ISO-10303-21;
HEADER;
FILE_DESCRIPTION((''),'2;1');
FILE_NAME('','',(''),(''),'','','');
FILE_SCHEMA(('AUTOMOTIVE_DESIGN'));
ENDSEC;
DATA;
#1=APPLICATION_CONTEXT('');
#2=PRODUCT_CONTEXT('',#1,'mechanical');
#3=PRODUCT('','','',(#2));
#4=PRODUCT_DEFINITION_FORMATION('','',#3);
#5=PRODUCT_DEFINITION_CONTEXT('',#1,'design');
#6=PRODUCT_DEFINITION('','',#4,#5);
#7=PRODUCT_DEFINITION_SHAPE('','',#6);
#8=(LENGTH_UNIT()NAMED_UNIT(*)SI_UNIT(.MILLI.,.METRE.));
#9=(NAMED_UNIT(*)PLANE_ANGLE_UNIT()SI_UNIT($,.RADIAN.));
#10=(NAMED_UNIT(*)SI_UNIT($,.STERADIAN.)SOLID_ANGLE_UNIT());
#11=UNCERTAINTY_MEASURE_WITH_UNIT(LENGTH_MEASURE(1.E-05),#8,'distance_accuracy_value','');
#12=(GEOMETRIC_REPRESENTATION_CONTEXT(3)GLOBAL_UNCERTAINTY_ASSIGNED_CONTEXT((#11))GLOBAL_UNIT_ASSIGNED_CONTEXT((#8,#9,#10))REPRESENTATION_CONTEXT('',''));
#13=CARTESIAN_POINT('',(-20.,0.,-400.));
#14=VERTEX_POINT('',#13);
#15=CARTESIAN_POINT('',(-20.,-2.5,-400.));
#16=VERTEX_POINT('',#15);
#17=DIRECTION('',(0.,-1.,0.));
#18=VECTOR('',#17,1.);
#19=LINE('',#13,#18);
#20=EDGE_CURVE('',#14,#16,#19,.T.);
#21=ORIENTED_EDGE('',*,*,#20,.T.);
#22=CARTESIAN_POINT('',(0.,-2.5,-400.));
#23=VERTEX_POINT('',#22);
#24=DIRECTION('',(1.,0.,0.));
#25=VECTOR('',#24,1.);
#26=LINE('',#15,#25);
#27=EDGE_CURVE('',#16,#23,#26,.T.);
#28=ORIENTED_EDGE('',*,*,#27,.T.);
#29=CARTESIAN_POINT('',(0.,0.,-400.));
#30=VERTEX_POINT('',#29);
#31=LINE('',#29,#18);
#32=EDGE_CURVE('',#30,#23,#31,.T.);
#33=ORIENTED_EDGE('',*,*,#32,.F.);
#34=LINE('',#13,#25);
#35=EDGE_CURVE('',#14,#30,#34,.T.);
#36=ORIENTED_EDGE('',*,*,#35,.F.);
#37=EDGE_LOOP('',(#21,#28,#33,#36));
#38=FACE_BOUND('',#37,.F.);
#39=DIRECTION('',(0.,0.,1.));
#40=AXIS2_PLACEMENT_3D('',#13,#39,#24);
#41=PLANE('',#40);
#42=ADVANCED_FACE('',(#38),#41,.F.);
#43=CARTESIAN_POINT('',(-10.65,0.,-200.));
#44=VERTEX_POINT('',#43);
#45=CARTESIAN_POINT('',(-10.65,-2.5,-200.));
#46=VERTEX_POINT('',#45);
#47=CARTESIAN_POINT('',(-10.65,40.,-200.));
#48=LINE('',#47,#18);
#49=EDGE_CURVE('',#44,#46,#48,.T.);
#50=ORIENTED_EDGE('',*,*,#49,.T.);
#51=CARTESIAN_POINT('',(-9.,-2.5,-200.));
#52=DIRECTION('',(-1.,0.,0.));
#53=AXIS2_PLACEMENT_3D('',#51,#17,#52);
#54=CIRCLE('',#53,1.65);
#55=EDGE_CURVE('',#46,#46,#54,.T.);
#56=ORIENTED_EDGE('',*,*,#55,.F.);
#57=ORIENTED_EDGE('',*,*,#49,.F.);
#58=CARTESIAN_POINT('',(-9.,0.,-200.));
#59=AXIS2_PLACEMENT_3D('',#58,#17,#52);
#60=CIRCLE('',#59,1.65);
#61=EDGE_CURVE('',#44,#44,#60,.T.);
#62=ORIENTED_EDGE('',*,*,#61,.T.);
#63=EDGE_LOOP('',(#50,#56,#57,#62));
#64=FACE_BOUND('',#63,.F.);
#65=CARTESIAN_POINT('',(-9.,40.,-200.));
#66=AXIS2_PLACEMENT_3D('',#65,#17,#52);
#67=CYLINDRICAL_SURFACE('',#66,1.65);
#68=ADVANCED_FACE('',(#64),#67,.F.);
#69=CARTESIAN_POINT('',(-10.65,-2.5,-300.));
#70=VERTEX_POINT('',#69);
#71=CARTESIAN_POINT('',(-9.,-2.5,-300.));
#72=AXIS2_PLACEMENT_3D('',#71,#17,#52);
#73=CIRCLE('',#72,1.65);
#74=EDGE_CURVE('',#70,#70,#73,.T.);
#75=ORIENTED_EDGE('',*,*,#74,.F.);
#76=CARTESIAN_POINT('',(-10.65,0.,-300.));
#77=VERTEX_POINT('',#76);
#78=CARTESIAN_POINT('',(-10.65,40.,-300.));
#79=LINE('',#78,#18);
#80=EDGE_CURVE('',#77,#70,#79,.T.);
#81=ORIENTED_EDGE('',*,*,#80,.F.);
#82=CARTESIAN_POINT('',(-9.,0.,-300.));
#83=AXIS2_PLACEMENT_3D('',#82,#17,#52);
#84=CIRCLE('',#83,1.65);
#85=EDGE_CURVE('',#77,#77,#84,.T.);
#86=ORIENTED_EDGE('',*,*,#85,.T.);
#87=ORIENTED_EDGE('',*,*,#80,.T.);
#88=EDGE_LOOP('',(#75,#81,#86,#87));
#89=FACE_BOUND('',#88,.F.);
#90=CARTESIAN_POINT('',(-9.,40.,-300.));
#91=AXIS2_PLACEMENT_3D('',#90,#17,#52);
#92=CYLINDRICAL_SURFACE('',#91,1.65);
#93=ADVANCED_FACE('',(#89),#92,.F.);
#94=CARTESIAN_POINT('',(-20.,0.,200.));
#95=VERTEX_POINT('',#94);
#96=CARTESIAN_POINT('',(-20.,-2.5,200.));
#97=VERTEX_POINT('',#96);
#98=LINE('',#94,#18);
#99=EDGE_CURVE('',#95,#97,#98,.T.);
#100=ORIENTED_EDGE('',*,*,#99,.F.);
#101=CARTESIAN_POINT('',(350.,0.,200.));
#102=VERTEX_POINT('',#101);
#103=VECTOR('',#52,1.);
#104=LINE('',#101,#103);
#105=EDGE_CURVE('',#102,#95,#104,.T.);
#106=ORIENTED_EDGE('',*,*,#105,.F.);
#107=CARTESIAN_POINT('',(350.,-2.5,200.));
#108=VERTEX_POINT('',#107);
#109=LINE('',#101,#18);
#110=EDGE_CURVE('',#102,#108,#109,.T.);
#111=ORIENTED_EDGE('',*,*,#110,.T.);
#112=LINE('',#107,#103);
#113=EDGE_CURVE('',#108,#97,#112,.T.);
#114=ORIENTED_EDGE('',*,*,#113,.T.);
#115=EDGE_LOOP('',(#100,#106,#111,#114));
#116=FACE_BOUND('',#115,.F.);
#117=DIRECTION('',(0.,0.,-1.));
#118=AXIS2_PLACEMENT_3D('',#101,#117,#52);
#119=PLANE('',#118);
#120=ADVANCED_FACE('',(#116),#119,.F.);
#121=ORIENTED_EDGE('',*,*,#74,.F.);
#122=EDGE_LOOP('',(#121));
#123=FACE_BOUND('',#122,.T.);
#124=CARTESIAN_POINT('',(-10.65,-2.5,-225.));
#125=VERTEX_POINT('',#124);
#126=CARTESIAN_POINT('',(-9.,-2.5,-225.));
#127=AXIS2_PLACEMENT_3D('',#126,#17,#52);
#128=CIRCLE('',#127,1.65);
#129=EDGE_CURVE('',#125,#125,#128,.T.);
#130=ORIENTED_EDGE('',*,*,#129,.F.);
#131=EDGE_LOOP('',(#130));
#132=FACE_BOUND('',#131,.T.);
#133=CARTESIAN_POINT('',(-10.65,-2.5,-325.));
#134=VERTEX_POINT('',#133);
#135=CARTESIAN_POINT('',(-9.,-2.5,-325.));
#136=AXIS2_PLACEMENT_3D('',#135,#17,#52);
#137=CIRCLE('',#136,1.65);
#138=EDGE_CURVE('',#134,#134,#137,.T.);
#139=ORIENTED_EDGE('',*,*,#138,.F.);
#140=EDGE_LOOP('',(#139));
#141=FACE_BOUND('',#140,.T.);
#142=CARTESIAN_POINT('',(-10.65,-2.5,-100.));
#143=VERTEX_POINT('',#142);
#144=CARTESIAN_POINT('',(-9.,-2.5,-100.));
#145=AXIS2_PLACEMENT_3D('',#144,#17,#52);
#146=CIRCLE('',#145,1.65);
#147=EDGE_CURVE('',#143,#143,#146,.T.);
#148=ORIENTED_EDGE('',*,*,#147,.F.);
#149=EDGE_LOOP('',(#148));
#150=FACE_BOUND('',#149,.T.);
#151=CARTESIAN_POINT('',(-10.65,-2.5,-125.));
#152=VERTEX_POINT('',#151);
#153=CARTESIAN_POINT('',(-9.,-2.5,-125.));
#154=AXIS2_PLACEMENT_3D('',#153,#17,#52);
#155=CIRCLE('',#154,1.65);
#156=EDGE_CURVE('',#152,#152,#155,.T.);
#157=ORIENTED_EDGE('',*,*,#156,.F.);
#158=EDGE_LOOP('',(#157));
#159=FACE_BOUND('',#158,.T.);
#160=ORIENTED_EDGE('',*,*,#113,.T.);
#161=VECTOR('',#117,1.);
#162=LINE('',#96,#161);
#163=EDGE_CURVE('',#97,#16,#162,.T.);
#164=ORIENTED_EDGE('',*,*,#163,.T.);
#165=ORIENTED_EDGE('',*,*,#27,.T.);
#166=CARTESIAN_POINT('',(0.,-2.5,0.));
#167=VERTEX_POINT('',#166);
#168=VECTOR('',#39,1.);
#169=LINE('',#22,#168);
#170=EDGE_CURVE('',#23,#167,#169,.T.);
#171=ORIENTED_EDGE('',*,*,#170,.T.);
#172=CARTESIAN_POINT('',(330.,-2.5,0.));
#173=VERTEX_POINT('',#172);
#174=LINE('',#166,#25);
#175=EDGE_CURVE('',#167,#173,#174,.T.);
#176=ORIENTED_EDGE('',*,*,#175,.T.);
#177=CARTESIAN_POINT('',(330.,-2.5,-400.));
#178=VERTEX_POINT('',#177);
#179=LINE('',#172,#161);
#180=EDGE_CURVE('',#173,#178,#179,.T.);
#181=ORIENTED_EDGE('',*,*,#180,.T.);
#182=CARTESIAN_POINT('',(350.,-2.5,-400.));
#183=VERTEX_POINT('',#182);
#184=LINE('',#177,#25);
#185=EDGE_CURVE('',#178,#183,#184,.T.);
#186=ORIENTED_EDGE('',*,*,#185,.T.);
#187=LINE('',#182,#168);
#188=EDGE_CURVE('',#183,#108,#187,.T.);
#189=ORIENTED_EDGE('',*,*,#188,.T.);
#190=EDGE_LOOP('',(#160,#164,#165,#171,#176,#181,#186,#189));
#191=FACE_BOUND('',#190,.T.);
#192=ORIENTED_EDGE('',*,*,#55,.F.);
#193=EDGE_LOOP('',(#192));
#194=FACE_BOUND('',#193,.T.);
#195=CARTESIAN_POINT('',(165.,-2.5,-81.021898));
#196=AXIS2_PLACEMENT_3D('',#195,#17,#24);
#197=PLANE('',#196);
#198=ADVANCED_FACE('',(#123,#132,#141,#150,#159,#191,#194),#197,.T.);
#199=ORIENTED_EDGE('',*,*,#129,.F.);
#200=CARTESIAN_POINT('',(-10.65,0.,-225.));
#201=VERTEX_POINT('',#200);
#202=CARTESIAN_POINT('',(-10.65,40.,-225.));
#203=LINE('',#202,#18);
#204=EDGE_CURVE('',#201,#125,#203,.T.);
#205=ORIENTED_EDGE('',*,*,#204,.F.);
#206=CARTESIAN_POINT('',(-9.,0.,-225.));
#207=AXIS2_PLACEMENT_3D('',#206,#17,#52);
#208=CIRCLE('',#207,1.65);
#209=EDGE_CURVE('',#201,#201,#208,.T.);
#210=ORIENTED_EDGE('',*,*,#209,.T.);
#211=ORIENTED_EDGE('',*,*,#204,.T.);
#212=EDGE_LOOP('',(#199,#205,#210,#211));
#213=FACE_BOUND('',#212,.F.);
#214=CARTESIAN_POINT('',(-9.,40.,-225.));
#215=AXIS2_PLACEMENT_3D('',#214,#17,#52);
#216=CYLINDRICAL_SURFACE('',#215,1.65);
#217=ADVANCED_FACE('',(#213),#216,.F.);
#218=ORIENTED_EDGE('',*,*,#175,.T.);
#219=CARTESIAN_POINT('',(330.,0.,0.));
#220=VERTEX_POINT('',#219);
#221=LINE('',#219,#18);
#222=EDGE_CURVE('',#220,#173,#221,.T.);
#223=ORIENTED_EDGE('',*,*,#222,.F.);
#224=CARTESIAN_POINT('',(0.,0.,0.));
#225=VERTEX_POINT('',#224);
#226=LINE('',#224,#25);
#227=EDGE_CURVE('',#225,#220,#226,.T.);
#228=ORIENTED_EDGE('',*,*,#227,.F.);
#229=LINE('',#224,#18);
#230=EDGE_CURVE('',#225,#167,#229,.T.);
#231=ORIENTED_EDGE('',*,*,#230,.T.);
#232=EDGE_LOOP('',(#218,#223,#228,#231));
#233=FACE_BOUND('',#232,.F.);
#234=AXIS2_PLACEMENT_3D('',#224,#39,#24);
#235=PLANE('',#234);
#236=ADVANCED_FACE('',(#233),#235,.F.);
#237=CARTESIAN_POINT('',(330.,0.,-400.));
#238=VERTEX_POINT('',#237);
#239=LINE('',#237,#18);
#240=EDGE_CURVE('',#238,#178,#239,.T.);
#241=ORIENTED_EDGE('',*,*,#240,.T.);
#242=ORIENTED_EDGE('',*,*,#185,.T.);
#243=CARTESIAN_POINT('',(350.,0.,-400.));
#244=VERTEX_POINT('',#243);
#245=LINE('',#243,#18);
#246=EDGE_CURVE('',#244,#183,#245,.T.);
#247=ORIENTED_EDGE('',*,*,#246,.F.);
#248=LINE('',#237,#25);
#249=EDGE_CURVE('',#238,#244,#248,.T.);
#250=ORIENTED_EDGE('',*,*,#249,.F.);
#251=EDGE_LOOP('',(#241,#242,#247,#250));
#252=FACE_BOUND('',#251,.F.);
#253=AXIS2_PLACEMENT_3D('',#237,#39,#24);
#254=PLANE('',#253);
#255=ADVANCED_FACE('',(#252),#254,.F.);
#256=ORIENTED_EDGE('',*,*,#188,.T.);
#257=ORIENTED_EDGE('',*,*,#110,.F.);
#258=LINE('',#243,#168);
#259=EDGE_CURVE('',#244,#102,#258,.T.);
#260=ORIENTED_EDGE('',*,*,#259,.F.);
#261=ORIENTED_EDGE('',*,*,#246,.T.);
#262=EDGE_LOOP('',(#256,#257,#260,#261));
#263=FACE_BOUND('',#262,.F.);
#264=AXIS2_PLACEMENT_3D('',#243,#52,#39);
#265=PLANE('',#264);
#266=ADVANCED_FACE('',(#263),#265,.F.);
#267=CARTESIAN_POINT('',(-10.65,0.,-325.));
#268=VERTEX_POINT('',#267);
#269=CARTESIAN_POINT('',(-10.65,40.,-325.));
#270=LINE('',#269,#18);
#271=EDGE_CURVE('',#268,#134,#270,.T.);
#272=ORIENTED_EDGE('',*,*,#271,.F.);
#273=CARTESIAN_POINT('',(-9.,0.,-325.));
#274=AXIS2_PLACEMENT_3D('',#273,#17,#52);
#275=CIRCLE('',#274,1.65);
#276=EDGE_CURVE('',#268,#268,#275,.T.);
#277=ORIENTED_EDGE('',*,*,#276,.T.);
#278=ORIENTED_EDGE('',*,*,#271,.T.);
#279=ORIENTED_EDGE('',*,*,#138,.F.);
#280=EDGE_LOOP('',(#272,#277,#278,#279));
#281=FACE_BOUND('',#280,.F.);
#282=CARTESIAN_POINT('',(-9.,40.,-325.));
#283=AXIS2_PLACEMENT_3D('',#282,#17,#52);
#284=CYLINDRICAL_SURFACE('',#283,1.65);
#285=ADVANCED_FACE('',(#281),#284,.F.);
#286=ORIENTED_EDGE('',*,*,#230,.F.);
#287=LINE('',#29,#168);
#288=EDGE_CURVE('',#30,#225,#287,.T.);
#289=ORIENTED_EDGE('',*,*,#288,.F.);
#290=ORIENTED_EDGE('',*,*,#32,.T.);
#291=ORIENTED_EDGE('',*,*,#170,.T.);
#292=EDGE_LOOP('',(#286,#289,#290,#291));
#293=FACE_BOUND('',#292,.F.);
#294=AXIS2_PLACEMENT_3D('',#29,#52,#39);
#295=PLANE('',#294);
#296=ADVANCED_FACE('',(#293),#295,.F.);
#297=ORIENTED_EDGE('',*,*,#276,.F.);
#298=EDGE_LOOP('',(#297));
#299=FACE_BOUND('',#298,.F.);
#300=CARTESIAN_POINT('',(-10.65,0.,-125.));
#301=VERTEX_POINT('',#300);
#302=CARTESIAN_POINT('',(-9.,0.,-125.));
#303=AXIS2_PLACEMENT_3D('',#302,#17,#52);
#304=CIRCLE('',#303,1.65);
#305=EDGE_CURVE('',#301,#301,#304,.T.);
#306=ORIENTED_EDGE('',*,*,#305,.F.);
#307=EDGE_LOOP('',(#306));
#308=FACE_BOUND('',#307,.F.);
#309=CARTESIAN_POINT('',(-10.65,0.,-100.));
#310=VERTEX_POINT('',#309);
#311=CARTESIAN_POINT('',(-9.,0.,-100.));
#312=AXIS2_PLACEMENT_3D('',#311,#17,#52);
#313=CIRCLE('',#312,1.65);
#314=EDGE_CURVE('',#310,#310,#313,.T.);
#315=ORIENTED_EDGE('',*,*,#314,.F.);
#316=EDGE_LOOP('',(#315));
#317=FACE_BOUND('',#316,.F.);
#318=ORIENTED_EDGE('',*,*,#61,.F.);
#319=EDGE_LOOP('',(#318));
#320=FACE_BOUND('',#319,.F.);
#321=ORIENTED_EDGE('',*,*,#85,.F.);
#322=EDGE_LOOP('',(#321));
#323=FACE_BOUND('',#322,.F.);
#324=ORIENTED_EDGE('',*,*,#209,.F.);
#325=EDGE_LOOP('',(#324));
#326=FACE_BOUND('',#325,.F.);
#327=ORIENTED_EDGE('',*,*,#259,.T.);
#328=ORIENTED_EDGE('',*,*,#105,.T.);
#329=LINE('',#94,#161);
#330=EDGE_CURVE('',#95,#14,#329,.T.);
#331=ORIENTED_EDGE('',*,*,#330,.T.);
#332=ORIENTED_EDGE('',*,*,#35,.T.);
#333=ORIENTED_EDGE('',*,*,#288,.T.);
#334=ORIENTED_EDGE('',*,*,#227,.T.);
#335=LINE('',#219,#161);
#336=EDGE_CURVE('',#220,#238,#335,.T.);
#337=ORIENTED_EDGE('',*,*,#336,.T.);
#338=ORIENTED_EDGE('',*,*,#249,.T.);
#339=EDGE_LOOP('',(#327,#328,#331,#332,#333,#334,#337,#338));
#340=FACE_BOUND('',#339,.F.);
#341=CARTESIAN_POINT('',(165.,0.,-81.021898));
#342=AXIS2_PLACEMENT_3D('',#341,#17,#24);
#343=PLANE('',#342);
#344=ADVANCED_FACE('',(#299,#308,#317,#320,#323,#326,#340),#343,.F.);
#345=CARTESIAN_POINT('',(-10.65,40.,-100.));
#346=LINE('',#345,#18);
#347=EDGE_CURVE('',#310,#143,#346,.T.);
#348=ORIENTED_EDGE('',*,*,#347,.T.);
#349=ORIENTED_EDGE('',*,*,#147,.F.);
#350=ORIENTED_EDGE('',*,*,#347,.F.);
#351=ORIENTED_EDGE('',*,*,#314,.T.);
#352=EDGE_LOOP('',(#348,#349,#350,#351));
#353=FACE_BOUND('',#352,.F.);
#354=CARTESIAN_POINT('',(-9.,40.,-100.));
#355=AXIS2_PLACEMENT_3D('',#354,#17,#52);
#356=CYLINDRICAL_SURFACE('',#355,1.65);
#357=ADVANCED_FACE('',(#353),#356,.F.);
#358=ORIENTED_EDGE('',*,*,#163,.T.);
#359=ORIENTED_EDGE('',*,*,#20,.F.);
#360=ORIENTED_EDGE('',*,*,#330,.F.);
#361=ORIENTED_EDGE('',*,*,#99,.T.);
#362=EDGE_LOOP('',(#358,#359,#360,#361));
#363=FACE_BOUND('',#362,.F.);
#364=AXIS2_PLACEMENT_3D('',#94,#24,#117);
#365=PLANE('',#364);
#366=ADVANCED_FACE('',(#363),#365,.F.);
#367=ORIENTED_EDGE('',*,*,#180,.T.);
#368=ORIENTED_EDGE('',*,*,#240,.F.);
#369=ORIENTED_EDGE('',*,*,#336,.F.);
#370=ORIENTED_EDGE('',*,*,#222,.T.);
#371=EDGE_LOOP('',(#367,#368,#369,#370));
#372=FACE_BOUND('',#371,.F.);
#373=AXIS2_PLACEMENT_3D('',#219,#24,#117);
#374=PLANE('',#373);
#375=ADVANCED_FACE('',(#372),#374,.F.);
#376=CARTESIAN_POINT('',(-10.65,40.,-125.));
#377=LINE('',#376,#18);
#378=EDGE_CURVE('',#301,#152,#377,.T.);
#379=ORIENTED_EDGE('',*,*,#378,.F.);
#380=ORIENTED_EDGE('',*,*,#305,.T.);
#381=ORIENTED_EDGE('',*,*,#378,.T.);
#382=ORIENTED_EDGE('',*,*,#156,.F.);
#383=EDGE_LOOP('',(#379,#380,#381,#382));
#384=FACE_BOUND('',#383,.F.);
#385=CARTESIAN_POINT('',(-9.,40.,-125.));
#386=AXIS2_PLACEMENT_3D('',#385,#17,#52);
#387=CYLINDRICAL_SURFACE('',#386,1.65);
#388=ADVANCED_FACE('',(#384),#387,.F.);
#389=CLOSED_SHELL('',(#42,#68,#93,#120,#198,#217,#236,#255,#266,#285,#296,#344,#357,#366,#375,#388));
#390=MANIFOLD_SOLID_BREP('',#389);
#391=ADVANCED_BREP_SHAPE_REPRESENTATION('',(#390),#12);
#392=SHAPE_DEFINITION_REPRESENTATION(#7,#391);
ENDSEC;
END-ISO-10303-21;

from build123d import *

# Parameters (mm, degrees)
F1_DEPTH = 2.5
F2_D     = 3.3
F2_DEPTH = 40
F2_TIP   = 0.9914200214


with BuildPart() as f1:
    # F0 (on Front) → F1 (new body)
    with BuildSketch(Plane.XZ):
        Polygon((0, -400), (0, 0), (330, 0), (330, -400), (350, -400), (350, 200), (-20, 200), (-20, -400), align=None)
    extrude(amount=F1_DEPTH)

    # F2
    with Locations(Plane(origin=(0, 0, 0), x_dir=(1, 0, 0), z_dir=(0, 1, 0))):
        with Locations((-9, 100), (-9, 200), (-9, 300), (-9, 125), (-9, 225), (-9, 325)):
            Hole(F2_D / 2, depth=F2_DEPTH)
            with Locations((0, 0, -(F2_DEPTH + F2_TIP / 2))):  # 118° drill point
                Cone(0, F2_D / 2, F2_TIP, mode=Mode.SUBTRACT)


solid = f1.part
